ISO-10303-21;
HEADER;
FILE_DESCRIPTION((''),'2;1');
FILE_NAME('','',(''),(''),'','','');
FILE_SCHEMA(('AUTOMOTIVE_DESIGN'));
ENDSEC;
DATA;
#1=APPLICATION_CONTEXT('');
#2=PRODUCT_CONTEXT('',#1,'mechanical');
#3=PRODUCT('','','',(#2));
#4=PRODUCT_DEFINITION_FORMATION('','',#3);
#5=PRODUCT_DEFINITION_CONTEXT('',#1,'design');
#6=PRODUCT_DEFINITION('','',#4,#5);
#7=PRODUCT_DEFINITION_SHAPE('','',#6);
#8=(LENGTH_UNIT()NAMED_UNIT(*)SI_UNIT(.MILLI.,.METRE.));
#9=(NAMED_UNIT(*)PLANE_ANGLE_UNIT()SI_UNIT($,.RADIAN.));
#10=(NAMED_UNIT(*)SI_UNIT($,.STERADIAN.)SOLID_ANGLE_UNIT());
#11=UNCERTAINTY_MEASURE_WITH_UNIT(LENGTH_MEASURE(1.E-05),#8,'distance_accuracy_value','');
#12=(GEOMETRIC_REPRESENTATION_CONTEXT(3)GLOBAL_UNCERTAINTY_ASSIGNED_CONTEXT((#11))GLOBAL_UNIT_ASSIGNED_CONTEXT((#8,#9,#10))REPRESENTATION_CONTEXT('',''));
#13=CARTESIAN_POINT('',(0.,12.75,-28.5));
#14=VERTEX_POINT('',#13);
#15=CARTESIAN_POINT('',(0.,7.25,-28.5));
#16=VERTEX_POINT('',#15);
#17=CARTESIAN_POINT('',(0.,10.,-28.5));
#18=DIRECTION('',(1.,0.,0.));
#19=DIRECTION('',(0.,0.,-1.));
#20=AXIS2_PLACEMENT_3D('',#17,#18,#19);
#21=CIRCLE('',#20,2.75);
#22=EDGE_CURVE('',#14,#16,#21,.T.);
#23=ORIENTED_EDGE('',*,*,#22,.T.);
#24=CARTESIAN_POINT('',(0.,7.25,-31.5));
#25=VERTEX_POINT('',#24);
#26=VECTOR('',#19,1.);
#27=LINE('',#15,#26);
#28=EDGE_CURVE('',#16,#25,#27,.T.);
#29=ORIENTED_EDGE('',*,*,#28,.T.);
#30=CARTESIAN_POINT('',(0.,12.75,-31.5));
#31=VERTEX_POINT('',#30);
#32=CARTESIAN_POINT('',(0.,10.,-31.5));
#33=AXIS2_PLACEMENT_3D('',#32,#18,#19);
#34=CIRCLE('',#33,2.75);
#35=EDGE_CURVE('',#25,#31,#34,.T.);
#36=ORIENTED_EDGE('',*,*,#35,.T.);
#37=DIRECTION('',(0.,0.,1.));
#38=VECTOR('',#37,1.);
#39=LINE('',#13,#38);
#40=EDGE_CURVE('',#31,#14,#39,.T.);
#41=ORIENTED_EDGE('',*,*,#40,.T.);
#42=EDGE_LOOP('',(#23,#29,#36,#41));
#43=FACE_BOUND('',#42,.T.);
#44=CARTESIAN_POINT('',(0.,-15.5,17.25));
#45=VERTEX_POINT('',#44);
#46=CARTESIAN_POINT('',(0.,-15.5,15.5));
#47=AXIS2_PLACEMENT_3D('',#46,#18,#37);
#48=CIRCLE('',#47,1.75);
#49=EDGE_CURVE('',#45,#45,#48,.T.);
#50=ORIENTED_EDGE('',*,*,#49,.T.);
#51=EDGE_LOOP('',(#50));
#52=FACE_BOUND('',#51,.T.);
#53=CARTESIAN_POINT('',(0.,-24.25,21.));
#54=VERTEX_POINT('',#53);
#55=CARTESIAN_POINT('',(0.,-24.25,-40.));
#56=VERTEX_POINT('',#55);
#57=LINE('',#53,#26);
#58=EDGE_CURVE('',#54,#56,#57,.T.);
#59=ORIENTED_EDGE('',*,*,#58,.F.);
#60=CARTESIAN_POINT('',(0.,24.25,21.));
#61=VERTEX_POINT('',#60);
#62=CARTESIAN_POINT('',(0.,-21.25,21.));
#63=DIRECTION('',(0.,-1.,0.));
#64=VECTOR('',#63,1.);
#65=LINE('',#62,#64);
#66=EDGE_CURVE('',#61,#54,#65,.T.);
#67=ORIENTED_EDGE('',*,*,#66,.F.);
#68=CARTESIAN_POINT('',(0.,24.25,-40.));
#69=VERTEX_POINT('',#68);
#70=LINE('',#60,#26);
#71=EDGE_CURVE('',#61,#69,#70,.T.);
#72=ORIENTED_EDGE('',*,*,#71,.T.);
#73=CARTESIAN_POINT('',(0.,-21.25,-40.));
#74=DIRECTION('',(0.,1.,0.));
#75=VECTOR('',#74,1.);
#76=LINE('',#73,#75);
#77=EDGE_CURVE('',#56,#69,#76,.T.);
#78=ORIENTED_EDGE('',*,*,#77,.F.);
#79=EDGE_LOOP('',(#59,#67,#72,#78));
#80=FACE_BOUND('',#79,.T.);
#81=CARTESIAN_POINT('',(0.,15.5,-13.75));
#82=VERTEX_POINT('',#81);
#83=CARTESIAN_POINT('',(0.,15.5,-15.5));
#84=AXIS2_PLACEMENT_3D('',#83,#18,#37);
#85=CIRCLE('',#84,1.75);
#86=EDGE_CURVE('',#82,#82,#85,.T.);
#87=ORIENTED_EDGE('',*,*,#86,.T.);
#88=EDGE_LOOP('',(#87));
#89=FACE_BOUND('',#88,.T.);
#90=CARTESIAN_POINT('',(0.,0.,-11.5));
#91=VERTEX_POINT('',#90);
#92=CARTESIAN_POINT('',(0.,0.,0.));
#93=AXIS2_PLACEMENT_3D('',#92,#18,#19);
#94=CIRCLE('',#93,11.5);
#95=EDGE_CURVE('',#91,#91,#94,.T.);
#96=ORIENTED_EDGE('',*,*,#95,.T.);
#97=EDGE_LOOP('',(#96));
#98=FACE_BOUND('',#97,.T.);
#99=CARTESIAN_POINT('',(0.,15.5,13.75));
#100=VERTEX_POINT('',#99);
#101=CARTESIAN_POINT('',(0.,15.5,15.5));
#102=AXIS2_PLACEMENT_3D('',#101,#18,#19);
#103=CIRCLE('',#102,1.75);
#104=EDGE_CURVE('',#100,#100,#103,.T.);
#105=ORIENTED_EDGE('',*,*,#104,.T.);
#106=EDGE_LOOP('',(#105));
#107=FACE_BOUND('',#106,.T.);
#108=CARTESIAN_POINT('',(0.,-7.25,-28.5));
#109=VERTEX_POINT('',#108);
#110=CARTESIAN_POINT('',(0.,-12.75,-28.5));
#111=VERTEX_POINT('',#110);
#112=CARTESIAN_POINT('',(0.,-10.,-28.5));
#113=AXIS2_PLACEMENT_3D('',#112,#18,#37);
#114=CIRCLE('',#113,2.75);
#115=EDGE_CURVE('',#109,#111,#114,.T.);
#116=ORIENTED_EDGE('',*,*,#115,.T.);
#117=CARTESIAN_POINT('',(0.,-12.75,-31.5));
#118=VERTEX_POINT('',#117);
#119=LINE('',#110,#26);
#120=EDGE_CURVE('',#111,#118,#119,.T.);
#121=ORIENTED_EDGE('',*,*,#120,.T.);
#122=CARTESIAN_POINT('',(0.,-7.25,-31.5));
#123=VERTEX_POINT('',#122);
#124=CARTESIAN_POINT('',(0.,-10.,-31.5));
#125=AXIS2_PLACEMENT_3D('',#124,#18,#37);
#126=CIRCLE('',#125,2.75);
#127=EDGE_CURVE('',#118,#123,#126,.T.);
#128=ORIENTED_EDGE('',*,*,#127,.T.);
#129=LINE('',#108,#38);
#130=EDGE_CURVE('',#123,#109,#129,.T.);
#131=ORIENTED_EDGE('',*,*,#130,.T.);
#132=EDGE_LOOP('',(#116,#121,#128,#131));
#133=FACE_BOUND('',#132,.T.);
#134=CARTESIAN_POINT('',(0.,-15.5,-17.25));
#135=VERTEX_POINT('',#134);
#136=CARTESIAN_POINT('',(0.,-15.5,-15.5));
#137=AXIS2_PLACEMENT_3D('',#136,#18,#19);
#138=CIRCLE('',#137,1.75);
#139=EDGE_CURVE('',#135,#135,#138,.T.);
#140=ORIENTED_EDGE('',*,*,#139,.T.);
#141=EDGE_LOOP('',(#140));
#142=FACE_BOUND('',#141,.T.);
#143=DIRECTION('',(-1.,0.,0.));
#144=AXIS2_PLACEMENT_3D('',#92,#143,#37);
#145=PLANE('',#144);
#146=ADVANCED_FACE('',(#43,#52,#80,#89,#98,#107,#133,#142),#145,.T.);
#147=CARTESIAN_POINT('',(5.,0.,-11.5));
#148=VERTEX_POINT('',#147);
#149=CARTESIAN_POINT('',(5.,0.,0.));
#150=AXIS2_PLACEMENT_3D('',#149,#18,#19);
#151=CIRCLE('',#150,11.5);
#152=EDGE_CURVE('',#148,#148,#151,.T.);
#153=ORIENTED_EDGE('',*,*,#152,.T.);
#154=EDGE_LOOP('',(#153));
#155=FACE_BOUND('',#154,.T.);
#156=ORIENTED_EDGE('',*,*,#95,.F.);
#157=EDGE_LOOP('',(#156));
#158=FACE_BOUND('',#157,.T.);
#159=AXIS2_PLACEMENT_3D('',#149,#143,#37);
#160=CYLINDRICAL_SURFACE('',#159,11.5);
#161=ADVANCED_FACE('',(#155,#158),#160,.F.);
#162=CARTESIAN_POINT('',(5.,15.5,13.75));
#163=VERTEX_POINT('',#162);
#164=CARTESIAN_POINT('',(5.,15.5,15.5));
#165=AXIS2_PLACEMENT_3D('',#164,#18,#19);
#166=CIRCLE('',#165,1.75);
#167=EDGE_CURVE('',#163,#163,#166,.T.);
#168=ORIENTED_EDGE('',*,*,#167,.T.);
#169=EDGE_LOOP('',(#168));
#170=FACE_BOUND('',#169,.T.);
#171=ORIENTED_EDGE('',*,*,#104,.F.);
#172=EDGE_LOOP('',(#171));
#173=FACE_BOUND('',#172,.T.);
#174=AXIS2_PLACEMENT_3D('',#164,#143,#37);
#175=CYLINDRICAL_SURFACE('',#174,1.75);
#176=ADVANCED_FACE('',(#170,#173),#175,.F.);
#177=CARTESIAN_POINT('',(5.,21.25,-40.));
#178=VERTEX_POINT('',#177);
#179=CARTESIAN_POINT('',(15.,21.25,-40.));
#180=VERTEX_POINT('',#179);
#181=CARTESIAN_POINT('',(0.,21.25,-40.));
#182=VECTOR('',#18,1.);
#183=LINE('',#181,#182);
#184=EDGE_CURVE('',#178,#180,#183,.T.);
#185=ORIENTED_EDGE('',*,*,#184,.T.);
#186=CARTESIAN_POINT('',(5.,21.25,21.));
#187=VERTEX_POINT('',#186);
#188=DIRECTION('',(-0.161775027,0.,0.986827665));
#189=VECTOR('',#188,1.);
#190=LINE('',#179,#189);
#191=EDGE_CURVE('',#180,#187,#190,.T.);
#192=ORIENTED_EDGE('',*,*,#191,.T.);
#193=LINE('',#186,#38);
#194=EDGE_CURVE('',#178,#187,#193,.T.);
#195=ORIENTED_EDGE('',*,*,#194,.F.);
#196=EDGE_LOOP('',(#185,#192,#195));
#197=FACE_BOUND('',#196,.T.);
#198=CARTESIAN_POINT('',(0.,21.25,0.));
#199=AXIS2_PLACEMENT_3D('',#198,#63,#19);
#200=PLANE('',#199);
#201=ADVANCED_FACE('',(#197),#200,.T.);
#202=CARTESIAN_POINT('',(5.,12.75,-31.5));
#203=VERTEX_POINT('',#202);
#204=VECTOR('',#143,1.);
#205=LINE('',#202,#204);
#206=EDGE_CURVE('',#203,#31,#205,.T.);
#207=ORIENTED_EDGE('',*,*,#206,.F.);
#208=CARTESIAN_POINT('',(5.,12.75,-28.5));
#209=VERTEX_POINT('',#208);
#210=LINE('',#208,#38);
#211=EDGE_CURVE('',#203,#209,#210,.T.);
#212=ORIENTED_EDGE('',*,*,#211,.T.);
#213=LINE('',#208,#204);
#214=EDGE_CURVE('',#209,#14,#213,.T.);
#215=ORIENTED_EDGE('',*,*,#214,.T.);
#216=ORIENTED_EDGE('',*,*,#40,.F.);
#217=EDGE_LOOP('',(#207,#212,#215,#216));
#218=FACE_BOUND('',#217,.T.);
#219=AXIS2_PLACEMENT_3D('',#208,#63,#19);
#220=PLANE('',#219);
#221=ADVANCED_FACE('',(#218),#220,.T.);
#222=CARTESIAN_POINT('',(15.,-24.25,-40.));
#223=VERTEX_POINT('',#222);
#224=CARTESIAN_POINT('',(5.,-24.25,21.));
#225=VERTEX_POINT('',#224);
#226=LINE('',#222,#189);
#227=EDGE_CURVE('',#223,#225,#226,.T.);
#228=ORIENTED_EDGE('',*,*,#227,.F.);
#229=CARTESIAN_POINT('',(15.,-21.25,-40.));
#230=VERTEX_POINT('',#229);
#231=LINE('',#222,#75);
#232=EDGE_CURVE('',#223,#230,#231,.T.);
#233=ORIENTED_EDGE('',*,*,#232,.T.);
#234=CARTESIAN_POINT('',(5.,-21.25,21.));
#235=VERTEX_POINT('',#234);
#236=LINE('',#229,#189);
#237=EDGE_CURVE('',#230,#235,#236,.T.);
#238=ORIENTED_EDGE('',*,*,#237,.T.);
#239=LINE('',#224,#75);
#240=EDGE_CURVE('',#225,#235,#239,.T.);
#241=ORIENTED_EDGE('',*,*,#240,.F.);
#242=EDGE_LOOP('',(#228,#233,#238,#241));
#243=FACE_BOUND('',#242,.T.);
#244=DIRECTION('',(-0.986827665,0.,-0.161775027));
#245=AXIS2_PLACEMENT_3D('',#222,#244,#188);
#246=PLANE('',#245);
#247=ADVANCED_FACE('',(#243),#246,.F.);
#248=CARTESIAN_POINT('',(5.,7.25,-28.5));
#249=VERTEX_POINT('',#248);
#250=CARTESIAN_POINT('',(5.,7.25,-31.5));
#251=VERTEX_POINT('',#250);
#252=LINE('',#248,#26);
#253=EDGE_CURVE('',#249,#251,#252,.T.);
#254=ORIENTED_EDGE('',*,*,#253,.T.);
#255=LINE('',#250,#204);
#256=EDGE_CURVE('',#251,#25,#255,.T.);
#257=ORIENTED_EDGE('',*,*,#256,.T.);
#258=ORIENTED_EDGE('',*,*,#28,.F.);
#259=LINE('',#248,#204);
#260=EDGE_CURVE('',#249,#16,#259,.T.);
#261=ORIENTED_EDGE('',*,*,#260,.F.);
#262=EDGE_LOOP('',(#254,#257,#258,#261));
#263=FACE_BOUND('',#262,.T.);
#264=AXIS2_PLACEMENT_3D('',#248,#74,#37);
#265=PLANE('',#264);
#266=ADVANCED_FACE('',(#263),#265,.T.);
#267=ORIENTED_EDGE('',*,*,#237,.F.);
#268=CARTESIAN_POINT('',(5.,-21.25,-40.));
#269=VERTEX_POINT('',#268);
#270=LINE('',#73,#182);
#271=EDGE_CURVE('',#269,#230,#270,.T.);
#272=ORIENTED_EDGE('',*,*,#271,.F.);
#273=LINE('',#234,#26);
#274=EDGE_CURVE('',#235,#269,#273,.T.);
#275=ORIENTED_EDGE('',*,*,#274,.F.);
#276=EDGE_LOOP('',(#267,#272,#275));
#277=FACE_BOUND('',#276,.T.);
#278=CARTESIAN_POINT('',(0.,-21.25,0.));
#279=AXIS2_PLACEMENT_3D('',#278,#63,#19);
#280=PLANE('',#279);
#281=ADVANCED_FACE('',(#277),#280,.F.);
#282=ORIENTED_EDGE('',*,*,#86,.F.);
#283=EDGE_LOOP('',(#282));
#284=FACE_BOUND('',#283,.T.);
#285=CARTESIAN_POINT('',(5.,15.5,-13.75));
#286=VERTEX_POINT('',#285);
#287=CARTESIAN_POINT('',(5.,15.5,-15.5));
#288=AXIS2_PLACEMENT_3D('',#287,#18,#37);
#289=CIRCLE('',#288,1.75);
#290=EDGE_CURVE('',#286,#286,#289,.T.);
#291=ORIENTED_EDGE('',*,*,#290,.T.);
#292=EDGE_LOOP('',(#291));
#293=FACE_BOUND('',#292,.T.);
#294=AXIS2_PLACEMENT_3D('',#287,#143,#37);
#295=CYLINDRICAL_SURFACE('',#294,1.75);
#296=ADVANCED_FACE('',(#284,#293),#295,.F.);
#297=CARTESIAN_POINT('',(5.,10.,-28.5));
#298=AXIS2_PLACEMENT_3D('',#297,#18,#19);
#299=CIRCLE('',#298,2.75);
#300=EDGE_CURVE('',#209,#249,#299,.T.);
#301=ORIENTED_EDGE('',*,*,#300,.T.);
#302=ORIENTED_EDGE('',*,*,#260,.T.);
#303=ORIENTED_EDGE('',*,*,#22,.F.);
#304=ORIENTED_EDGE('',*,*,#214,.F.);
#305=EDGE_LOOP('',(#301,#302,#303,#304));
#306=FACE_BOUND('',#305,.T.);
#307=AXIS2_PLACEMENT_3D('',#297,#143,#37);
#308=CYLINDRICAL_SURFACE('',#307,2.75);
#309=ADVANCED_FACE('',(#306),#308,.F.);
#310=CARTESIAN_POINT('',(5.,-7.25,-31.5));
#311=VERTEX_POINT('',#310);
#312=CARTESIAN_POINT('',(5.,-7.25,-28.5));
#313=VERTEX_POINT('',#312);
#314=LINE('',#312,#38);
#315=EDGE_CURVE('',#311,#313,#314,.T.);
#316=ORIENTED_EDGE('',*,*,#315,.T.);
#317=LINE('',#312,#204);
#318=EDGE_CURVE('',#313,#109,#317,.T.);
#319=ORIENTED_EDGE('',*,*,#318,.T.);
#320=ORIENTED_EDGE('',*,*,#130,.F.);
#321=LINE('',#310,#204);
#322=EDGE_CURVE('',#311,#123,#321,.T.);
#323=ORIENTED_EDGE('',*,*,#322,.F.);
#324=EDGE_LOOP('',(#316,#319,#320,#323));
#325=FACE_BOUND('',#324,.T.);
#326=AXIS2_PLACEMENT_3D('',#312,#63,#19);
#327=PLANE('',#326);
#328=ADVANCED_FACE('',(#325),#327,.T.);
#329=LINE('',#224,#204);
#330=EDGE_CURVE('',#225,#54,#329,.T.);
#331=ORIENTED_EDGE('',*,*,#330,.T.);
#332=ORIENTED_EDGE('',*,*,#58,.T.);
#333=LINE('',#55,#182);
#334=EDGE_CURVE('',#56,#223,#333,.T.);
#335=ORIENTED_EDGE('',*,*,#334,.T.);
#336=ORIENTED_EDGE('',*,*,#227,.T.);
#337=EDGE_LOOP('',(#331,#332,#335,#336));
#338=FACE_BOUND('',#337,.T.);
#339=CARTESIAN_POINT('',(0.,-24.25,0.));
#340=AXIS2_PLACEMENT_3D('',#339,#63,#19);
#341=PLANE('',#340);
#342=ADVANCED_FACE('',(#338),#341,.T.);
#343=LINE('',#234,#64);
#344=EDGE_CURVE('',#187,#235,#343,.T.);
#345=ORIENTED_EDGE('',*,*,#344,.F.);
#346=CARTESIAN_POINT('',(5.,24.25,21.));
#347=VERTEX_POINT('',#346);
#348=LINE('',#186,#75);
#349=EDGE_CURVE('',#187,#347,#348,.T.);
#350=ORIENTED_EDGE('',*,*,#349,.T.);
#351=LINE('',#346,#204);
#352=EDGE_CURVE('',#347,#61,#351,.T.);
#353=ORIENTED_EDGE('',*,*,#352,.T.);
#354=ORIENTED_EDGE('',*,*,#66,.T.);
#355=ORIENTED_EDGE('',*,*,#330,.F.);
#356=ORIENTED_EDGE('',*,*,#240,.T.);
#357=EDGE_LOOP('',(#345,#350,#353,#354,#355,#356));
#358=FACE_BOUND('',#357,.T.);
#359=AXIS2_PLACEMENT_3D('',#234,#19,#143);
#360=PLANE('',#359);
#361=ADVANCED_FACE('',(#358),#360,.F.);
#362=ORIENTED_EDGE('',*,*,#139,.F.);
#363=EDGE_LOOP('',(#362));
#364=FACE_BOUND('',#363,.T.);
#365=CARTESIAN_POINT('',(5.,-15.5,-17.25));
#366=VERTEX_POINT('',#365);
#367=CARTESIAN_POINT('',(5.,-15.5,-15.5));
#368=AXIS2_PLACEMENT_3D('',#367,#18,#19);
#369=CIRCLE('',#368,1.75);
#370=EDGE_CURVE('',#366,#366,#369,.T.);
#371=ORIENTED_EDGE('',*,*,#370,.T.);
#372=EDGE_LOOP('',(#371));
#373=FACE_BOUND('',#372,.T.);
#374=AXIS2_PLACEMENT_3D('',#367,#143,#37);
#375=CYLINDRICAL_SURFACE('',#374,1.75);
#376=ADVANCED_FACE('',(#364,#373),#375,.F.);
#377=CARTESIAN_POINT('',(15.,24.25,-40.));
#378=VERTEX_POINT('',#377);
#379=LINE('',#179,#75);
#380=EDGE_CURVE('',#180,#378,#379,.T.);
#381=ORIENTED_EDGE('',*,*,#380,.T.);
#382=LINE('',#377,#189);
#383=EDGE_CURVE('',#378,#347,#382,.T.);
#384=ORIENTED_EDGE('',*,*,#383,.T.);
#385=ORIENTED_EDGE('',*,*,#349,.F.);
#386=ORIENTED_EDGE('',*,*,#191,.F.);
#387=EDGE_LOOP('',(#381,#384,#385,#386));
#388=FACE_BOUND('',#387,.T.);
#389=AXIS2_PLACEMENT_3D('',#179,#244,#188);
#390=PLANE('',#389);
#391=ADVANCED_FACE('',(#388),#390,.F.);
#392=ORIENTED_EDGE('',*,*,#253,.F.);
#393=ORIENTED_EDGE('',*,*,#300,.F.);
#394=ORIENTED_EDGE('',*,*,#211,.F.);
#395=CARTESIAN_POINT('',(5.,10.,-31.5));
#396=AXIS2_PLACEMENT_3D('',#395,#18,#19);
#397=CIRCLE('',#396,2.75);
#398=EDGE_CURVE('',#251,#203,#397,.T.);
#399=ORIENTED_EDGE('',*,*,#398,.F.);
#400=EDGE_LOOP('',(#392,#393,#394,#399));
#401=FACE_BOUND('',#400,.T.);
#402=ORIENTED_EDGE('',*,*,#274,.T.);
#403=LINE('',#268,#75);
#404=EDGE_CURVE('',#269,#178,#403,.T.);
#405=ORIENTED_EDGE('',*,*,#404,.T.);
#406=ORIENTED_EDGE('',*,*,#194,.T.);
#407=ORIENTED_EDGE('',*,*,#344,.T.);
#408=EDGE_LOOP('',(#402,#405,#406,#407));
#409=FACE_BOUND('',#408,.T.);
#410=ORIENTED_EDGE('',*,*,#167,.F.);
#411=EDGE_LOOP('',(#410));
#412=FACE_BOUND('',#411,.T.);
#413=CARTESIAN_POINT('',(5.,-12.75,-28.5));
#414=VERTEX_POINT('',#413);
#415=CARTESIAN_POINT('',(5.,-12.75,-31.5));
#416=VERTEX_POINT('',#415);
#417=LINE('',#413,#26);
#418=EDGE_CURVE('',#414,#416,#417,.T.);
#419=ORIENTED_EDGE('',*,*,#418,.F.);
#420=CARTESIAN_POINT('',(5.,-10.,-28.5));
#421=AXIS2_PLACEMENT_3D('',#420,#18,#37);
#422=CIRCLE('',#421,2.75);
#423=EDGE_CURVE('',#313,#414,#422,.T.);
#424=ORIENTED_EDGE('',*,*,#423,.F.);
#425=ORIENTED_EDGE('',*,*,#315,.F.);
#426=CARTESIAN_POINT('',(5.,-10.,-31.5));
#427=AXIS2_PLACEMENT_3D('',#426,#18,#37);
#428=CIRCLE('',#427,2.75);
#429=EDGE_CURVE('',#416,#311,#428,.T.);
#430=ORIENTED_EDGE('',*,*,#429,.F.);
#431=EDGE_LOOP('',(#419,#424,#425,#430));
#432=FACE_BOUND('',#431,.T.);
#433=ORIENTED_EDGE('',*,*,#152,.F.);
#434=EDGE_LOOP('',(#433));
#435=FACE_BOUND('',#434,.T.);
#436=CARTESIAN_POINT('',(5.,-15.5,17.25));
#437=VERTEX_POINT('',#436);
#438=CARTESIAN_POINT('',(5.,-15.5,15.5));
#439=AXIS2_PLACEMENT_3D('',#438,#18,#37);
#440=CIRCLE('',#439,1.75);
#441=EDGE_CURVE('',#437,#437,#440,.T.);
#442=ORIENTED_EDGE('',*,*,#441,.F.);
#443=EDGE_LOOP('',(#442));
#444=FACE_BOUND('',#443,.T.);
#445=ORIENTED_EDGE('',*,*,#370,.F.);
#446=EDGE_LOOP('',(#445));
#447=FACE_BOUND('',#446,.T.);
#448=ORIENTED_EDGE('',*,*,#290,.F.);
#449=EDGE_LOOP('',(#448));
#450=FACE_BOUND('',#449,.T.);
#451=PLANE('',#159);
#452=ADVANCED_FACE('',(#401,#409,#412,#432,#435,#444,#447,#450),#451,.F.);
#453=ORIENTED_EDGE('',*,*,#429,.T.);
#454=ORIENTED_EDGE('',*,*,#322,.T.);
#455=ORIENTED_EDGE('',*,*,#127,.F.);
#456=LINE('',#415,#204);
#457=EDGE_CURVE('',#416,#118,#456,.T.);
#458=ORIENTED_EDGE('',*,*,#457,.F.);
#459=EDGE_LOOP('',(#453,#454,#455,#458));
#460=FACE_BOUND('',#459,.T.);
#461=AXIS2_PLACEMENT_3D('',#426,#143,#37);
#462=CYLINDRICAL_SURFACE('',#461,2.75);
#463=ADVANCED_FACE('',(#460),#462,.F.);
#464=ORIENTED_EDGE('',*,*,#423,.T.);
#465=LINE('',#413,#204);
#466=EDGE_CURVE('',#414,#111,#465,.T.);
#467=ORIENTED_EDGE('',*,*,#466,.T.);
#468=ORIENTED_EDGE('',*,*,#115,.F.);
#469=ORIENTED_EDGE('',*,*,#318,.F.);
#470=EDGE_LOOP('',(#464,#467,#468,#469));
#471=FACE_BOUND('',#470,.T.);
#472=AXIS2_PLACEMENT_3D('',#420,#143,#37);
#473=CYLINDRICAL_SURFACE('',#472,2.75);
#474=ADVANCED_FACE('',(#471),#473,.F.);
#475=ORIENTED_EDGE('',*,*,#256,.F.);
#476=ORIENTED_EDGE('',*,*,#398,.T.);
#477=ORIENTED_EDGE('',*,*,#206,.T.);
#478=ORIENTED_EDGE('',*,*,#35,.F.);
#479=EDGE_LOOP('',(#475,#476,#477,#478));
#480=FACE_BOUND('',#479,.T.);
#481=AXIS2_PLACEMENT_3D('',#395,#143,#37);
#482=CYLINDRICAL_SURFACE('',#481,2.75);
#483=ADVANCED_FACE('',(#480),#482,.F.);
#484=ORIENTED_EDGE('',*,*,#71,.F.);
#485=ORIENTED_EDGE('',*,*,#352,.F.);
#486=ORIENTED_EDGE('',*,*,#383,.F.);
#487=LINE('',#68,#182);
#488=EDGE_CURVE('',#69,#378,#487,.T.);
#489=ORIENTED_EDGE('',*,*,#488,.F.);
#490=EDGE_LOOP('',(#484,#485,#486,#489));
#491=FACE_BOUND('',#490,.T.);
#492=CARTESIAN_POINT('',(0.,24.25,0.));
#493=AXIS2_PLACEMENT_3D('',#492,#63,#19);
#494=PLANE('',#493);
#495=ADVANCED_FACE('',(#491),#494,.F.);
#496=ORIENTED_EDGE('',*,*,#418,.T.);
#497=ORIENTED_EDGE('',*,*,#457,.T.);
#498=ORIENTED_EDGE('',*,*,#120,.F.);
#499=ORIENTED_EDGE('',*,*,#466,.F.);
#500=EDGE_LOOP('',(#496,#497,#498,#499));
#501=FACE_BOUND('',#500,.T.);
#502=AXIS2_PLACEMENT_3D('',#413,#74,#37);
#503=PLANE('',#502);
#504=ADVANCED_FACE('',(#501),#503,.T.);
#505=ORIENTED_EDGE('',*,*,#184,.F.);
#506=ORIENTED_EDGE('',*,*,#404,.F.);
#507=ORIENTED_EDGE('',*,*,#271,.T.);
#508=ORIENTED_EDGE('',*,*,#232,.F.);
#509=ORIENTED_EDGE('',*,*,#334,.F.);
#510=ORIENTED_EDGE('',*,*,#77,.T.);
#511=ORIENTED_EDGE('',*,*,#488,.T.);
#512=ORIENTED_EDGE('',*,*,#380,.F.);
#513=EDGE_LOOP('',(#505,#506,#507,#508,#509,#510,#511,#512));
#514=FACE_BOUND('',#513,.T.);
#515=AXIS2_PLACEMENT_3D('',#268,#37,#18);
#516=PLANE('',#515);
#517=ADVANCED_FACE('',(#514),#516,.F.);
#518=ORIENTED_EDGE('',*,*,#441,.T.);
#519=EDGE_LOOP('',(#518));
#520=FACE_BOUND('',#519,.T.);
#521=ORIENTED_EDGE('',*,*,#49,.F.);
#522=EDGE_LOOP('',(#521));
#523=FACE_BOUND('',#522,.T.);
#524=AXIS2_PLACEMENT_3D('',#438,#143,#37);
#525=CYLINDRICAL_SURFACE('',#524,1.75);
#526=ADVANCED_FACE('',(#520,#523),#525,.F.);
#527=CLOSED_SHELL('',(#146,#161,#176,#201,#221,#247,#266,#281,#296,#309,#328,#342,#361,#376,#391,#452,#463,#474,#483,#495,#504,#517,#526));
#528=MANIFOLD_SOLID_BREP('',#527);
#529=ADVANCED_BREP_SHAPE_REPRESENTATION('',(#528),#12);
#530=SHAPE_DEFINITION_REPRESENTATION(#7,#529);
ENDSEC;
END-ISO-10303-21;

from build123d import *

# Parameters (mm, degrees)
SKETCH2_W           = 61
SKETCH2_H           = 42.5
SKETCH2_R           = 11.5
SKETCH2_R_2         = 1.75
BOSS_EXTRUDE2_DEPTH = 5
BOSS_EXTRUDE3_DEPTH = 3
LPATTERN1_COUNT     = 2
LPATTERN1_PITCH     = 45.5


with BuildPart() as part:
    # Sketch2 → Boss-Extrude2 (new body)
    with BuildSketch(Plane(origin=(0, 0, 0), x_dir=(0, 0, -1), z_dir=(1, 0, 0))):
        with Locations((9.5, 0)):
            Rectangle(SKETCH2_W, SKETCH2_H)
        Circle(SKETCH2_R, mode=Mode.SUBTRACT)
        with Locations((-15.5, 15.5)):
            Circle(SKETCH2_R_2, mode=Mode.SUBTRACT)
        with Locations((15.5, -15.5)):
            Circle(SKETCH2_R_2, mode=Mode.SUBTRACT)
        with Locations((15.5, 15.5)):
            Circle(SKETCH2_R_2, mode=Mode.SUBTRACT)
        with Locations((-15.5, -15.5)):
            Circle(SKETCH2_R_2, mode=Mode.SUBTRACT)
        with BuildLine():
            Line((28.5, 12.75), (31.5, 12.75))
            ThreePointArc((31.5, 12.75), (34.25, 10), (31.5, 7.25))
            Line((31.5, 7.25), (28.5, 7.25))
            ThreePointArc((28.5, 7.25), (25.75, 10), (28.5, 12.75))
        make_face(mode=Mode.SUBTRACT)
        with BuildLine():
            Line((28.5, -12.75), (31.5, -12.75))
            ThreePointArc((31.5, -12.75), (34.25, -10), (31.5, -7.25))
            Line((31.5, -7.25), (28.5, -7.25))
            ThreePointArc((28.5, -7.25), (25.75, -10), (28.5, -12.75))
        make_face(mode=Mode.SUBTRACT)
    extrude(amount=BOSS_EXTRUDE2_DEPTH)

    # Sketch4 → Boss-Extrude3 (add)
    with BuildSketch(Plane.XZ.offset(21.25)):
        Polygon((0, -40), (15, -40), (5, 21), (0, 21), align=None)
    boss_extrude3 = extrude(amount=BOSS_EXTRUDE3_DEPTH)

    # LPattern1: Boss-Extrude3 ×2
    with Locations(*[(0, i * LPATTERN1_PITCH, 0) for i in range(1, LPATTERN1_COUNT)]):
        add(boss_extrude3)


solid = part.part
